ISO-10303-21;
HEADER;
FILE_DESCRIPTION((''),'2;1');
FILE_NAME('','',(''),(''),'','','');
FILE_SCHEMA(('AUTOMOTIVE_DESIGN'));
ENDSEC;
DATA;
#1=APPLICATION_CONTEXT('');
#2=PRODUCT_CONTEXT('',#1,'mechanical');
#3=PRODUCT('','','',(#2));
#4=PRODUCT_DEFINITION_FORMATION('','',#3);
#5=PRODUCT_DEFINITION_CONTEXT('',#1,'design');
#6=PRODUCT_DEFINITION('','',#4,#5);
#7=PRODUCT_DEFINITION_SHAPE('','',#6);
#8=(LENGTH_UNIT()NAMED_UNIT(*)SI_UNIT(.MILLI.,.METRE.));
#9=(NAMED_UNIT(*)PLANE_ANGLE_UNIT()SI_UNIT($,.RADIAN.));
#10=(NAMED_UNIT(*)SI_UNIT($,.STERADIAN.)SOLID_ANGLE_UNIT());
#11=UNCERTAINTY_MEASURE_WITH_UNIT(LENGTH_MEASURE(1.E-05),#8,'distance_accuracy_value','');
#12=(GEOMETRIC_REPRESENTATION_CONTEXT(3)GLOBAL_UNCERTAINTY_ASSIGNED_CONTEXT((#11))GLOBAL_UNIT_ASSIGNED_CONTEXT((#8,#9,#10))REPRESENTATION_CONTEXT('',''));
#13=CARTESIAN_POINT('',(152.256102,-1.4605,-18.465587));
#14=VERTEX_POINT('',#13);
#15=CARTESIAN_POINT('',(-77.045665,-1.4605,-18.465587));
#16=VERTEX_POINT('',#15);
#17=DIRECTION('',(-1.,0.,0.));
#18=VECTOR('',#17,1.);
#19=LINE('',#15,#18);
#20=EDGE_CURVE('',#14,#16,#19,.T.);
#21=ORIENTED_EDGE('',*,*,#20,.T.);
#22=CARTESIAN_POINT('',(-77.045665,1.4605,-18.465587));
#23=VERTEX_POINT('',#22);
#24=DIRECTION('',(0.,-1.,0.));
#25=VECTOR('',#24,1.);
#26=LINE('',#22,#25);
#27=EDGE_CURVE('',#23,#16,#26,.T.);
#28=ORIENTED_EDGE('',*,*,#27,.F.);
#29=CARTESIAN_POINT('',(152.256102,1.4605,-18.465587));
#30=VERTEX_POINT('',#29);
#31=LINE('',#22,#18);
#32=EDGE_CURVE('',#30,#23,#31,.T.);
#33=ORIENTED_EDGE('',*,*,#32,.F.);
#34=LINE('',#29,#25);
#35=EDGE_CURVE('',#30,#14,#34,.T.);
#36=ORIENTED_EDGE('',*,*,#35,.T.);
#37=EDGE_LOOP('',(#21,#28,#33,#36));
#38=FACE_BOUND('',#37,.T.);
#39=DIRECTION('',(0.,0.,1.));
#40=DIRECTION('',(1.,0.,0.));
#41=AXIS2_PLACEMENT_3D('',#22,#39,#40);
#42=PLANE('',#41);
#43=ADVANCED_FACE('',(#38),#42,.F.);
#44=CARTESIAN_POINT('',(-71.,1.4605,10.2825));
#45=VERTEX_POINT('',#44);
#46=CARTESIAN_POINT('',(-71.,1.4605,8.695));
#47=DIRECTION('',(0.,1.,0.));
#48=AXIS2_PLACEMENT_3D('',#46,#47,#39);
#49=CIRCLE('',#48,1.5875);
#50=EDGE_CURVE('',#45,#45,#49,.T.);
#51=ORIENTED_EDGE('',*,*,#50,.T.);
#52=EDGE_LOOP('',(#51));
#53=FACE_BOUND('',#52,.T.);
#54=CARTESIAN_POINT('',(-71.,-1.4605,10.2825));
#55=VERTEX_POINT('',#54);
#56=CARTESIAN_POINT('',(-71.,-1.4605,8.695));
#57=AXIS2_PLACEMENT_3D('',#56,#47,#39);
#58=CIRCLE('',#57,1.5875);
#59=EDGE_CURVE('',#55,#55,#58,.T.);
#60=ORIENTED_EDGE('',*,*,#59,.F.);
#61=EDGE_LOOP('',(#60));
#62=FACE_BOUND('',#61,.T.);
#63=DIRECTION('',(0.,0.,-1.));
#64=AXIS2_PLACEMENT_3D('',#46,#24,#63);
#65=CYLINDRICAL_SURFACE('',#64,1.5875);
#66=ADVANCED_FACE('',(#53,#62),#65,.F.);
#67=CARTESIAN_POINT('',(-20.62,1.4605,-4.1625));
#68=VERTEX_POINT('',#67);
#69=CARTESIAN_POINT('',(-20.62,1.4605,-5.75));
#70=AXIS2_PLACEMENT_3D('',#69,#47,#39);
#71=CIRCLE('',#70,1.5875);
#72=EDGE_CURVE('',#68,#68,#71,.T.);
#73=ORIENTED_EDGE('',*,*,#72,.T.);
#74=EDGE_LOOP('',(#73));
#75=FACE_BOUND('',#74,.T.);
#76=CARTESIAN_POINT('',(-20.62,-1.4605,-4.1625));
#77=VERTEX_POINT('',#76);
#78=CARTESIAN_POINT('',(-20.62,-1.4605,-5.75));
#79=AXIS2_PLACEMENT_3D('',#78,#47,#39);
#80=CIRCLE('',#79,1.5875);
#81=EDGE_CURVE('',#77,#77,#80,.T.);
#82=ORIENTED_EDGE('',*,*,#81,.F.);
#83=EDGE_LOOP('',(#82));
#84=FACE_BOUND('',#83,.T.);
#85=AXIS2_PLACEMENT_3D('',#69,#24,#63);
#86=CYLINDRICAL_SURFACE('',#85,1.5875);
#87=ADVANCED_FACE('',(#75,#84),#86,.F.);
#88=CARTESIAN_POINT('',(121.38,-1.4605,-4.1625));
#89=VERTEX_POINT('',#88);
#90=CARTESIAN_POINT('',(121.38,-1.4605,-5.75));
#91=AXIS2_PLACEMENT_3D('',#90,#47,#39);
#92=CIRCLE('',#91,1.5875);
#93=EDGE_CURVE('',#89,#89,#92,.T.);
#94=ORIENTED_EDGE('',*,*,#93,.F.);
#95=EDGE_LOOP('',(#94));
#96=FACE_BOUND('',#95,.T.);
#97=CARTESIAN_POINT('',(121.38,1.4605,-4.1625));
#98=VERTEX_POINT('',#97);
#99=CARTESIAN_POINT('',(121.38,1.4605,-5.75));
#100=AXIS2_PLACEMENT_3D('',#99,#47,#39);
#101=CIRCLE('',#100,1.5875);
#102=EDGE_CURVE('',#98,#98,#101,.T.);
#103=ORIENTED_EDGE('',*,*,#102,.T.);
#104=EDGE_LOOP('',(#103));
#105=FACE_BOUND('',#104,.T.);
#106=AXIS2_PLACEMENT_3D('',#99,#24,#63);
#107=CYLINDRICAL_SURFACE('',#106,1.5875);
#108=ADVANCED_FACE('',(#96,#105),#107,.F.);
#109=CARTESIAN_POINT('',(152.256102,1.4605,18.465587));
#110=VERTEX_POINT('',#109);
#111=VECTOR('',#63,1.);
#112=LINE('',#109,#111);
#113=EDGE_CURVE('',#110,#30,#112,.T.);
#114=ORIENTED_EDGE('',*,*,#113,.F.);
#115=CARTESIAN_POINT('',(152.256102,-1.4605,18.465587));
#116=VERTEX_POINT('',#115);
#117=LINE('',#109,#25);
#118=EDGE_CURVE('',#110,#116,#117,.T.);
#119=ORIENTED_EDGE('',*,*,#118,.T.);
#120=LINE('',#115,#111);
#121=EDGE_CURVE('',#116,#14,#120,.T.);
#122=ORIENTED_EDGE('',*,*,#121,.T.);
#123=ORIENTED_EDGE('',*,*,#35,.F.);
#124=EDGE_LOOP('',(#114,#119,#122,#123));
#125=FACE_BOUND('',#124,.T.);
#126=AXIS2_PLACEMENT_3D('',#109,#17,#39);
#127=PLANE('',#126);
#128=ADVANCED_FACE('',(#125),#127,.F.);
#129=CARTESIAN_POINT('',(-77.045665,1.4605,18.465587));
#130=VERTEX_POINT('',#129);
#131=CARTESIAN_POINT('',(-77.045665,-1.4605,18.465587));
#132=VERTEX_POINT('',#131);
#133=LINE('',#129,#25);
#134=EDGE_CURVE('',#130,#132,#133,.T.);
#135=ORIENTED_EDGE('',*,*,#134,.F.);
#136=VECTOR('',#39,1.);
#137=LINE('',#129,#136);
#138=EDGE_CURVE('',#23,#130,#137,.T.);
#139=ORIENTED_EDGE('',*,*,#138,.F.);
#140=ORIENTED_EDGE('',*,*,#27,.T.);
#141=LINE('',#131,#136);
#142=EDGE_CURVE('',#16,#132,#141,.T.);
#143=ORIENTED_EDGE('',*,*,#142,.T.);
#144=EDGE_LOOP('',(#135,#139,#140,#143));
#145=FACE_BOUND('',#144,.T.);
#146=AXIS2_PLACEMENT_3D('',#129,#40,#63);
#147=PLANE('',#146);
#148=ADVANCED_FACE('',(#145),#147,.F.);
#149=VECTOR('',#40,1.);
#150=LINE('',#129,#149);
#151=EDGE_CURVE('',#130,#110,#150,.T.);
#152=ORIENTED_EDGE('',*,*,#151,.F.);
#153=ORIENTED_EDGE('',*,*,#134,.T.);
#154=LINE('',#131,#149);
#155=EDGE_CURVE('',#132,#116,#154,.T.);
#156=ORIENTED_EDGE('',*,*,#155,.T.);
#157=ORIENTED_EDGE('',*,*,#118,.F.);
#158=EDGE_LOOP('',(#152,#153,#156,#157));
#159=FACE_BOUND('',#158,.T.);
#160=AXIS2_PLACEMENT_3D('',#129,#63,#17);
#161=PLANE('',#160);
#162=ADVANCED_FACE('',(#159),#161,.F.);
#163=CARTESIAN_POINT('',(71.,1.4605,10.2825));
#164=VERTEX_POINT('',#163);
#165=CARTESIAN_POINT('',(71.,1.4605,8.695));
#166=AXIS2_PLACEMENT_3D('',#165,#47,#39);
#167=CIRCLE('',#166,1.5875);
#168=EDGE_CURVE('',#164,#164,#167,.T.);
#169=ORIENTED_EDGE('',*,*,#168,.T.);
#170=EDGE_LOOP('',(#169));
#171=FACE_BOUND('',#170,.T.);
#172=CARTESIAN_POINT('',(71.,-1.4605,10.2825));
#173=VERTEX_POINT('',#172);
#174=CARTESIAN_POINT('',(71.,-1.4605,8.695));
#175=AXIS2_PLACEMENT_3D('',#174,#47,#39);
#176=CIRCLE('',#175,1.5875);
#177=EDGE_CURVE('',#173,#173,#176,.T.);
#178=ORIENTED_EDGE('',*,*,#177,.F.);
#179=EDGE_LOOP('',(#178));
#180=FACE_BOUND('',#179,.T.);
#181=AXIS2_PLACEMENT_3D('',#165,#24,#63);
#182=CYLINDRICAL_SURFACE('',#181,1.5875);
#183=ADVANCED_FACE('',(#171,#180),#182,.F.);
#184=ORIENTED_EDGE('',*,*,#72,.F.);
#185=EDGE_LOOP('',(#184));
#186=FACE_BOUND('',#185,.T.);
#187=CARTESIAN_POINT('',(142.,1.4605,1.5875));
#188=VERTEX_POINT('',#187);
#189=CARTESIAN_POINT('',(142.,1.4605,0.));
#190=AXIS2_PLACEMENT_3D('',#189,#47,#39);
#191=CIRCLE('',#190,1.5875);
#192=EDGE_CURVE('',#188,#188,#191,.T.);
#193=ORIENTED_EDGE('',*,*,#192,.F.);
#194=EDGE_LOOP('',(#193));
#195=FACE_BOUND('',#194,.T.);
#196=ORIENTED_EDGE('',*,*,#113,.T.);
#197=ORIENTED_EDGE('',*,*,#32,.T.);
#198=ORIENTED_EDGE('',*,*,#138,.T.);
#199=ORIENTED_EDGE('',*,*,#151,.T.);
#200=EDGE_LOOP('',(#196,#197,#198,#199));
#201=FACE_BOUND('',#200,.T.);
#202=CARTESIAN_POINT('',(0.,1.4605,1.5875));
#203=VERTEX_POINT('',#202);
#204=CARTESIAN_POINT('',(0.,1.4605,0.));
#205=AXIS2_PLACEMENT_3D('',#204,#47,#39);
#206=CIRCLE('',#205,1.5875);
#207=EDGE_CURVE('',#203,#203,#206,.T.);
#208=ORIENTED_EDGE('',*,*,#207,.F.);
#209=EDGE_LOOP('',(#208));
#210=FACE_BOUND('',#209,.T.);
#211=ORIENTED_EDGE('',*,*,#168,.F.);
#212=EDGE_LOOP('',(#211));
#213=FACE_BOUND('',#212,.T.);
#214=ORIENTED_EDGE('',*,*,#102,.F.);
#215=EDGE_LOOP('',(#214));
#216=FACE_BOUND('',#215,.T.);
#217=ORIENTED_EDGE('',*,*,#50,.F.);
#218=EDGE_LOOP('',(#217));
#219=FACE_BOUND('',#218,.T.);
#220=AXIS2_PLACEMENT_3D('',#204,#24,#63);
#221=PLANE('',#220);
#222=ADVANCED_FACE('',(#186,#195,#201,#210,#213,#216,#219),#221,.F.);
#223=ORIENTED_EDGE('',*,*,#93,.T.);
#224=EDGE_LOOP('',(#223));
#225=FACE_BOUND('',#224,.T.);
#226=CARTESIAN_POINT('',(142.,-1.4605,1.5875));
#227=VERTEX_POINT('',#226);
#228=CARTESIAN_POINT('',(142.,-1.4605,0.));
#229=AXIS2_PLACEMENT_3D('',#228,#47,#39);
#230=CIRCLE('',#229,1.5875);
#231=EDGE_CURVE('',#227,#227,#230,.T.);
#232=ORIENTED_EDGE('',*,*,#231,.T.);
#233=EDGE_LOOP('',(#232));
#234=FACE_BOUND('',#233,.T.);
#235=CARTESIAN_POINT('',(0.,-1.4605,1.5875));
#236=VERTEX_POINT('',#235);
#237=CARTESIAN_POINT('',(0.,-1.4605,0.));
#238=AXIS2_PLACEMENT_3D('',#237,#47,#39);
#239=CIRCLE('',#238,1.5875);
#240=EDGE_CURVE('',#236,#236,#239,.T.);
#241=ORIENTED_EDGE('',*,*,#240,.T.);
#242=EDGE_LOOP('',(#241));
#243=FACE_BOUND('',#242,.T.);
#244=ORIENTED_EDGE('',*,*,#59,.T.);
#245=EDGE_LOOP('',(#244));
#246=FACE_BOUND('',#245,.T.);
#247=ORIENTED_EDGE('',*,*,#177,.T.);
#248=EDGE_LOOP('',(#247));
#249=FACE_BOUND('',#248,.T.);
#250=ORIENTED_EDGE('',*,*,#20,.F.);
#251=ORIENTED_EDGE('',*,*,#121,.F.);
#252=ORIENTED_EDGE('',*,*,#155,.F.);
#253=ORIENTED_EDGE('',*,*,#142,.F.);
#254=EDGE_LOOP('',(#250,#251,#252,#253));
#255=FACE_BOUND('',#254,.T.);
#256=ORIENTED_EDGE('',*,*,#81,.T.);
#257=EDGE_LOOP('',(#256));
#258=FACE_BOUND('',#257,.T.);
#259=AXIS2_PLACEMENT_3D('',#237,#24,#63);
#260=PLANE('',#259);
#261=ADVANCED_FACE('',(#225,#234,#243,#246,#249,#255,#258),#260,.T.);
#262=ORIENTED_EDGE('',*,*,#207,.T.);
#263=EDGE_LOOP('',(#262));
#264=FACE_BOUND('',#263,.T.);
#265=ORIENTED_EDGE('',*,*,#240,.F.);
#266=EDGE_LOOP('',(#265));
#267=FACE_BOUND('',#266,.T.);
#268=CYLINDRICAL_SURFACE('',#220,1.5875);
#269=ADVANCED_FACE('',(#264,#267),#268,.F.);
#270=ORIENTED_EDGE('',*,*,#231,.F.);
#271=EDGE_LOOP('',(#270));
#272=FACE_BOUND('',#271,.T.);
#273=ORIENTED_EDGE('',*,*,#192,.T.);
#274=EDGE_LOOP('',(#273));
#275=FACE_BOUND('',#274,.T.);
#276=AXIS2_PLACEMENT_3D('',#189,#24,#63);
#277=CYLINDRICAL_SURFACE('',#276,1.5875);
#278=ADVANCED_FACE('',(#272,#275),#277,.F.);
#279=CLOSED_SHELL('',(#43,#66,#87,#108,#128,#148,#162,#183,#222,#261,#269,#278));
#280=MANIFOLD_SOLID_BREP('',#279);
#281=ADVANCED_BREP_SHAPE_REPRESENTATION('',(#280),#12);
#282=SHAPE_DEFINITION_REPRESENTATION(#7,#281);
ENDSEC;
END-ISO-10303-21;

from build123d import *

# Parameters (mm, degrees)
SKETCH1_W           = 229.301766186
SKETCH1_H           = 36.931173376
SKETCH1_R           = 1.5875
BOSS_EXTRUDE1_DEPTH = 1.4605


with BuildPart() as part:
    # Sketch1 → Boss-Extrude1 (new, symmetric)
    with BuildSketch(Plane(origin=(0, 0, 0), x_dir=(1, 0, 0), z_dir=(0, 1, 0))):
        with Locations((37.605218443, 0)):
            Rectangle(SKETCH1_W, SKETCH1_H)
        with Locations(Location((-71, -8.695, 0), (0, 0, 270))):
            Circle(SKETCH1_R, mode=Mode.SUBTRACT)
        with Locations(Location((71, -8.695, 0), (0, 0, 270))):
            Circle(SKETCH1_R, mode=Mode.SUBTRACT)
        with Locations(Location((0, 0, 0), (0, 0, 270))):
            Circle(SKETCH1_R, mode=Mode.SUBTRACT)
        with Locations(Location((-20.62, 5.75, 0), (0, 0, 270))):
            Circle(SKETCH1_R, mode=Mode.SUBTRACT)
        with Locations(Location((142, 0, 0), (0, 0, 270))):
            Circle(SKETCH1_R, mode=Mode.SUBTRACT)
        with Locations(Location((121.38, 5.74999993, 0), (0, 0, 270))):
            Circle(SKETCH1_R, mode=Mode.SUBTRACT)
    extrude(amount=BOSS_EXTRUDE1_DEPTH, both=True)


solid = part.part
